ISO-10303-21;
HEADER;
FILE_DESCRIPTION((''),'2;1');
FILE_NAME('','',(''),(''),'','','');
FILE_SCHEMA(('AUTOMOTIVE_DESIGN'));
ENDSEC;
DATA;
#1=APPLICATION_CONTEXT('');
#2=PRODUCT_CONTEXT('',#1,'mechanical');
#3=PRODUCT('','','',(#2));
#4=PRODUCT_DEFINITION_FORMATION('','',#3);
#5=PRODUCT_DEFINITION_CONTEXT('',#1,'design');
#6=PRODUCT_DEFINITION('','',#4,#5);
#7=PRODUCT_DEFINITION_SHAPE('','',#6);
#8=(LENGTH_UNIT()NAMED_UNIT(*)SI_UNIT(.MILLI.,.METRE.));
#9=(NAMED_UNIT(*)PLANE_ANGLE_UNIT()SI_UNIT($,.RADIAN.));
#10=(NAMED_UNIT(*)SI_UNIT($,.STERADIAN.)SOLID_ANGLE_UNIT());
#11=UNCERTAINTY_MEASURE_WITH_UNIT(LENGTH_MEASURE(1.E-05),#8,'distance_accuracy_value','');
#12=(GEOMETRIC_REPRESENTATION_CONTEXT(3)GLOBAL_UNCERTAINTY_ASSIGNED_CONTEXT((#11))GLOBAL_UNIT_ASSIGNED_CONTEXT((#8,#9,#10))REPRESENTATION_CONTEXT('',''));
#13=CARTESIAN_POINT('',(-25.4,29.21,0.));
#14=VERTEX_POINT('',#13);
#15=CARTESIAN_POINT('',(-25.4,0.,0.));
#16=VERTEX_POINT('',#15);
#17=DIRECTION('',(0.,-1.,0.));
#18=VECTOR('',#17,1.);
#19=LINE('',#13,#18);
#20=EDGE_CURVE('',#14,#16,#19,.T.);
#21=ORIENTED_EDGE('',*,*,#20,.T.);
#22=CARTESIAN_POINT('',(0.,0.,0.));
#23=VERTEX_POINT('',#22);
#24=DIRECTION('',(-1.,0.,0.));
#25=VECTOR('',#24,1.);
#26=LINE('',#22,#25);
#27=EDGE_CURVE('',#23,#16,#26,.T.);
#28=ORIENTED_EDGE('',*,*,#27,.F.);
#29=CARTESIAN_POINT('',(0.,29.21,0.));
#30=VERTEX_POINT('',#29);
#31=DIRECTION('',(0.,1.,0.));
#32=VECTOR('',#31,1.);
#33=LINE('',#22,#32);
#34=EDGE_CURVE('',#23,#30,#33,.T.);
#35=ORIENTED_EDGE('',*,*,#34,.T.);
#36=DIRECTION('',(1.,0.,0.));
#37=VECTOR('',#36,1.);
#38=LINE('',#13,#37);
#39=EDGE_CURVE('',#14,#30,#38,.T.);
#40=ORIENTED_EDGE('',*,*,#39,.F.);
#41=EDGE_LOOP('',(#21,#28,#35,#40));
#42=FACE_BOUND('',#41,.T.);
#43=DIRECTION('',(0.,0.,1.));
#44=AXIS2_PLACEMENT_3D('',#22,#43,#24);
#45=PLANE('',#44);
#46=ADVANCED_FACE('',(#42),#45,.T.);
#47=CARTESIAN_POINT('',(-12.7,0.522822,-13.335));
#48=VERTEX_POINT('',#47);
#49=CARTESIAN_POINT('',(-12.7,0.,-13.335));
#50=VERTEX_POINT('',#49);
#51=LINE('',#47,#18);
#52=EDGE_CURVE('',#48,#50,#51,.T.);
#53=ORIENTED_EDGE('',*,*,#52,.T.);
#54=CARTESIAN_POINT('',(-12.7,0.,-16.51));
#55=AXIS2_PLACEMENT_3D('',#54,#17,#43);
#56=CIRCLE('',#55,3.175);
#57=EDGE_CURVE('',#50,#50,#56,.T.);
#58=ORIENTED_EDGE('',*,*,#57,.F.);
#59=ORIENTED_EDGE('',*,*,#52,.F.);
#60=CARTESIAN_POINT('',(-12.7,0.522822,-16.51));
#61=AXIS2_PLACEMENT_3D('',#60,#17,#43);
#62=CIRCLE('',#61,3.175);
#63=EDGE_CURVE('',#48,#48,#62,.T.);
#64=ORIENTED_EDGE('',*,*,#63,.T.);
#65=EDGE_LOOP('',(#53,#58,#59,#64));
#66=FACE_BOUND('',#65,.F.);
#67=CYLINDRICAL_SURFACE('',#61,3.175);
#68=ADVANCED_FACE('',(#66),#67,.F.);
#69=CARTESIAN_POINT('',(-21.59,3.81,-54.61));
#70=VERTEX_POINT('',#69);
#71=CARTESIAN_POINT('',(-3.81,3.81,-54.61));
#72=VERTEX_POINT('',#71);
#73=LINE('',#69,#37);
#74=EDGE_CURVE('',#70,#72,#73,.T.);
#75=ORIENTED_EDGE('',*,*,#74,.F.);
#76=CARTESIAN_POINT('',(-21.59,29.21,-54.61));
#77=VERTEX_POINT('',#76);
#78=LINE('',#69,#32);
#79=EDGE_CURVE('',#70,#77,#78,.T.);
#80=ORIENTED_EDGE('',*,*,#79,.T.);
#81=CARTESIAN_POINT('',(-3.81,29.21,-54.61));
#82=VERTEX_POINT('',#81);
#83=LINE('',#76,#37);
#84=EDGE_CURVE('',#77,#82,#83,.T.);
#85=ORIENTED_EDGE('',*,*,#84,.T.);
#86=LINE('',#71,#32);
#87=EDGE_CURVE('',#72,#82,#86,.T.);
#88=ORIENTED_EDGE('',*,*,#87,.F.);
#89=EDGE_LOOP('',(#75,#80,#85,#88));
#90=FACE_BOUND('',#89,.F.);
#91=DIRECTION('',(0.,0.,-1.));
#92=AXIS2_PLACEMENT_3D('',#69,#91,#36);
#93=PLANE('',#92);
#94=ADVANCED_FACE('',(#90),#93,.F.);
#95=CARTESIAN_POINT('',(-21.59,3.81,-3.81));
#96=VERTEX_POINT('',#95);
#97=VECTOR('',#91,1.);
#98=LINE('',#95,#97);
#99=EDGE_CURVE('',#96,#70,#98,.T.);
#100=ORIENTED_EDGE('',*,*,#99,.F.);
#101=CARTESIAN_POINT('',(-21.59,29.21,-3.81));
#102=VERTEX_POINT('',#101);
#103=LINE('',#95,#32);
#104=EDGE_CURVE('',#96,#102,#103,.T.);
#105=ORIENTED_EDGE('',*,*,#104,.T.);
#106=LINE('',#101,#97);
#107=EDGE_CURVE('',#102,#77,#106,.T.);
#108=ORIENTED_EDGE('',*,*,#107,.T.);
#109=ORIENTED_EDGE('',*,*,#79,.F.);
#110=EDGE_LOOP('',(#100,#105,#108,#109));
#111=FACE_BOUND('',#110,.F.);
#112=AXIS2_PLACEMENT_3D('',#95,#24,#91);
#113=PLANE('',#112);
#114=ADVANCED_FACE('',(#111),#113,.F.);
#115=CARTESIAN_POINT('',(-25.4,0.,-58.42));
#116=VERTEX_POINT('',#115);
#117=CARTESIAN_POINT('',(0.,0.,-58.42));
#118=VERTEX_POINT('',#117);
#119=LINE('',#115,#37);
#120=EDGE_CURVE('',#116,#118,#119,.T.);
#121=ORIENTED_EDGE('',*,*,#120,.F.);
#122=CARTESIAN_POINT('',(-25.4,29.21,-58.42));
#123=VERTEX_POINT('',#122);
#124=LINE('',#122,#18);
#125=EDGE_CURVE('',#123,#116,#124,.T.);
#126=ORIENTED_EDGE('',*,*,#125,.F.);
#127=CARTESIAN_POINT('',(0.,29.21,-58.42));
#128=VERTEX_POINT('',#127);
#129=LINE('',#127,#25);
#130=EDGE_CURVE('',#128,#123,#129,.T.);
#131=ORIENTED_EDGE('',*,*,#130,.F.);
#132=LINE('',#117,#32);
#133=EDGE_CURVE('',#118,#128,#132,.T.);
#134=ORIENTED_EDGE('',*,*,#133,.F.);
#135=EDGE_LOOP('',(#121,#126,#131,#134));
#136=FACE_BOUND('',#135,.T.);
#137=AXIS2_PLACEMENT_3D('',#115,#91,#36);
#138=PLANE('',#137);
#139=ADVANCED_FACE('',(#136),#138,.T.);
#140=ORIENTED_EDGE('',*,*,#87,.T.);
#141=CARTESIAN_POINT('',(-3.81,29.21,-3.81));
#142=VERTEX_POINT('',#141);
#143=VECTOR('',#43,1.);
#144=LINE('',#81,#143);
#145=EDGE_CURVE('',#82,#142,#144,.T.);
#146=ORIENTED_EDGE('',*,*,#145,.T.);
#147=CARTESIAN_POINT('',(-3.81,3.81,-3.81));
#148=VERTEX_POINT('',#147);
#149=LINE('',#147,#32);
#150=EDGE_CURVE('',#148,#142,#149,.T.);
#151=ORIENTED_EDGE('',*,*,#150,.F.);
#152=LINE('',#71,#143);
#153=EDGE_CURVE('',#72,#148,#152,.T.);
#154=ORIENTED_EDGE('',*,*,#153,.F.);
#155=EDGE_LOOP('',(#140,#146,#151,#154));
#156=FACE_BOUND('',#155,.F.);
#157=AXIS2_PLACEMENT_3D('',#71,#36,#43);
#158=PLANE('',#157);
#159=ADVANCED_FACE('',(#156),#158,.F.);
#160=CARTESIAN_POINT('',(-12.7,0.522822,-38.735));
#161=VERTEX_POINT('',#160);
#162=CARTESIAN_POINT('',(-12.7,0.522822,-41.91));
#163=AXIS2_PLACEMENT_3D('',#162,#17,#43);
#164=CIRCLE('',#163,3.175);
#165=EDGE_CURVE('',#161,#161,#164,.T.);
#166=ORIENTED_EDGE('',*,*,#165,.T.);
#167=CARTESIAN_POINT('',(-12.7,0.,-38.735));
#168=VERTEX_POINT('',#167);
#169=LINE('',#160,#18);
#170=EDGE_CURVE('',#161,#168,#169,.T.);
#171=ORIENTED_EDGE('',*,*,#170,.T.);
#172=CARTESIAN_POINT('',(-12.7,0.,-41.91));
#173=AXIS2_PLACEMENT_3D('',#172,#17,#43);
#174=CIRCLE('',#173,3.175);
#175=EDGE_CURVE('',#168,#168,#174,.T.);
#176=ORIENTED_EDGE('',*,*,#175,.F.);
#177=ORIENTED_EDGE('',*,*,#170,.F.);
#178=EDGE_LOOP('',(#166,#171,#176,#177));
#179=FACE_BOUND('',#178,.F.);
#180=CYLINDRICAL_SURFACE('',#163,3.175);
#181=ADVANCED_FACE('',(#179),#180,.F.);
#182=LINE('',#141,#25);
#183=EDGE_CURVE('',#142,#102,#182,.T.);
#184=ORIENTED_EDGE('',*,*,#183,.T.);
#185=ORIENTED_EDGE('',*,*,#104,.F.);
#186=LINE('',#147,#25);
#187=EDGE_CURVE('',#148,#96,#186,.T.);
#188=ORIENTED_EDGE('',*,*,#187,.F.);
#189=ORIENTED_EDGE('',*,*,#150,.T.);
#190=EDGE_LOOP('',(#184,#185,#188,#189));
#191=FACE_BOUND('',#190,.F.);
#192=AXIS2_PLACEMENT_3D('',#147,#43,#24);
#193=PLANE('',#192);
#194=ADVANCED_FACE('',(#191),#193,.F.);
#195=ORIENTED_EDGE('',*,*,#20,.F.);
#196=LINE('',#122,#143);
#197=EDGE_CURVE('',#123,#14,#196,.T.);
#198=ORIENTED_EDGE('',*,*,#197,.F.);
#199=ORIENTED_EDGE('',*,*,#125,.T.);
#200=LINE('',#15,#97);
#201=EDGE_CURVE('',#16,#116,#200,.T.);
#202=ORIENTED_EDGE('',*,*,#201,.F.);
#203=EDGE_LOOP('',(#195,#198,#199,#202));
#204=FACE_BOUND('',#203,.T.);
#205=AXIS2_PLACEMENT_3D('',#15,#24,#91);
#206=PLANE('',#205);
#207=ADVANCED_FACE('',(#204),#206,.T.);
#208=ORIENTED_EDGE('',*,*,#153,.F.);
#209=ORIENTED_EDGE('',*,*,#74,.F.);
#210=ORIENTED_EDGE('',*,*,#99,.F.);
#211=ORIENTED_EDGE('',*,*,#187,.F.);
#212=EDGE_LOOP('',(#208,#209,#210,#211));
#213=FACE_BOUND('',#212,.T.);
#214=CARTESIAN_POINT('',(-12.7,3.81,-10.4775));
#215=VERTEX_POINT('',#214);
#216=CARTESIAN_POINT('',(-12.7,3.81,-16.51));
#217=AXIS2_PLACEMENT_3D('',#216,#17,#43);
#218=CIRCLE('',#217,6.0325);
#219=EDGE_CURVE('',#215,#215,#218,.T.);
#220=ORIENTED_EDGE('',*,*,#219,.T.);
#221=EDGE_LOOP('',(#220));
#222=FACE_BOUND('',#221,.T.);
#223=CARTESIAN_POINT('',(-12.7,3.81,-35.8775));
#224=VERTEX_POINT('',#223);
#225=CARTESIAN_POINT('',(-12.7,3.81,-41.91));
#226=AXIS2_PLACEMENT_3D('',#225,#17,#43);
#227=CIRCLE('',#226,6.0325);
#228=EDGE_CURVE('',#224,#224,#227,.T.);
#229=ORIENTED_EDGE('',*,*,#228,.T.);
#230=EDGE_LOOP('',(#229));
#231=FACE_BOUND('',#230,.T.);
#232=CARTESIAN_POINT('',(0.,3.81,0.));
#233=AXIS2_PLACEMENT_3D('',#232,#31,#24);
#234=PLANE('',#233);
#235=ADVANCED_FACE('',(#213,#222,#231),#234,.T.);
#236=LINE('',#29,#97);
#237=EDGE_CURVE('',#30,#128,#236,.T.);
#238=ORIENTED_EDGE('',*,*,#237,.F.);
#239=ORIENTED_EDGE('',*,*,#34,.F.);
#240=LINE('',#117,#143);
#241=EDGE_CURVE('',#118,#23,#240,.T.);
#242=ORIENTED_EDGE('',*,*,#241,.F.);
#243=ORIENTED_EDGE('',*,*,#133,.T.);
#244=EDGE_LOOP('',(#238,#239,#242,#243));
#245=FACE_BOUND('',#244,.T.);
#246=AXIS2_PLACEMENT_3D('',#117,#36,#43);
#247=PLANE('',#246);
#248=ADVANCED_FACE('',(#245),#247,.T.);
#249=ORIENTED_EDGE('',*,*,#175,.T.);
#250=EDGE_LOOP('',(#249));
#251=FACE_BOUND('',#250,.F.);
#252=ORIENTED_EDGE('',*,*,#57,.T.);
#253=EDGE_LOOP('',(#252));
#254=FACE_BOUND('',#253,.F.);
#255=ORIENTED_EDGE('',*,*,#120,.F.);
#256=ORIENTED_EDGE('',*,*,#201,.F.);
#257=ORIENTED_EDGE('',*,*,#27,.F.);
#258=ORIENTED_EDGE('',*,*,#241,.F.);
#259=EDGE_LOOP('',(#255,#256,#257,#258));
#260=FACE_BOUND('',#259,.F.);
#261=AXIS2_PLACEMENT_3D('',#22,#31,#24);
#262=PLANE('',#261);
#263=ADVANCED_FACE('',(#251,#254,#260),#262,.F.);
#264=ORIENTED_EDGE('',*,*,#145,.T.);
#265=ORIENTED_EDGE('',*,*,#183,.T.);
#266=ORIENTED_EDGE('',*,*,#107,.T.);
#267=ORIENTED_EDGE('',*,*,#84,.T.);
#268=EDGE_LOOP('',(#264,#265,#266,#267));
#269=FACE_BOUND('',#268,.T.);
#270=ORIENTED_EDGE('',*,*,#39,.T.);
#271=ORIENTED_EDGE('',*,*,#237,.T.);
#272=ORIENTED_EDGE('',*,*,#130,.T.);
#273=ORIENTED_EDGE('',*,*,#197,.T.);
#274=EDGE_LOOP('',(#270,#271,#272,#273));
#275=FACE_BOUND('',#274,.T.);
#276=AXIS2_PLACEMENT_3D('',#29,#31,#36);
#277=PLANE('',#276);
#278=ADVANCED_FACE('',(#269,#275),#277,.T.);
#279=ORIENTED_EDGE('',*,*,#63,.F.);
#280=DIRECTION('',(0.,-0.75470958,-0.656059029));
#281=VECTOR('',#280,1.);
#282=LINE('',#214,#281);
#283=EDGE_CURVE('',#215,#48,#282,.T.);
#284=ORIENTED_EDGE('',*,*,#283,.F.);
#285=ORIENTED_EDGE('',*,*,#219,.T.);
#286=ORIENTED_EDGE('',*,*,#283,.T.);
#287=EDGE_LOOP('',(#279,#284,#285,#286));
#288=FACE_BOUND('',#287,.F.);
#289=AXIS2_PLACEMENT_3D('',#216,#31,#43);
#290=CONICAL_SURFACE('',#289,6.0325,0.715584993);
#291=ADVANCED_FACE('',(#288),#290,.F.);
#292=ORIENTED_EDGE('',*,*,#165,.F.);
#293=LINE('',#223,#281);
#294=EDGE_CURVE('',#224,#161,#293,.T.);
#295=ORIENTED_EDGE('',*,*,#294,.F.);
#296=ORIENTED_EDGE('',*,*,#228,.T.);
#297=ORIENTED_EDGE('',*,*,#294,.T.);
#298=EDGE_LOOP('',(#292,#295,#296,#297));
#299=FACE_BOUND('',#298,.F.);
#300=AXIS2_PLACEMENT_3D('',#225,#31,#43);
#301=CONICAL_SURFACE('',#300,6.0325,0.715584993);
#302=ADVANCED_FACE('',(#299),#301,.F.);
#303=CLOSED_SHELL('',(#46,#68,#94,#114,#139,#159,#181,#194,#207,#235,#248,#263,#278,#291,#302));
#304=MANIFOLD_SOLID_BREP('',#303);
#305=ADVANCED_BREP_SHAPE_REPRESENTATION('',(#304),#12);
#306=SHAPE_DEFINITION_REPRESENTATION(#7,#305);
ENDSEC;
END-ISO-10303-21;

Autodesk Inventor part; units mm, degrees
ref_plane "YZ Plane" through (0, 0, 0) normal (1, 0, 0) x (0, 1, 0)
ref_plane "XZ Plane" through (0, 0, 0) normal (0, 1, 0) x (-1, 0, 0)
ref_plane "XY Plane" through (0, 0, 0) normal (0, 0, 1) x (1, 0, 0)
sketch "Sketch1" plane through (0, 0, 0) normal (0, 1, 0) x (-1, 0, 0)
  line L0 (0, 0) -> (25.4, 0)
  line L1 (25.4, 0) -> (25.4, -58.42)
  line L2 (25.4, -58.42) -> (0, -58.42)
  line L3 (0, -58.42) -> (0, 0)
  dimension "d0" = 25.4
  dimension "d1" = 58.42
extrude "Extrusion1" add sketch "Sketch1" along normal blind 3.81
sketch "Sketch2" plane through (0, 3.81, 0) normal (0, 1, 0) x (1, 0, 0)
  line L0 (-3.81, 3.81) -> (-21.59, 3.81)
  line L1 (-21.59, 3.81) -> (-21.59, 54.61)
  line L2 (-21.59, 54.61) -> (-3.81, 54.61)
  line L3 (-3.81, 54.61) -> (-3.81, 3.81)
  line L4 (-25.4, 58.42) -> (-25.4, 0) projected
  line L5 (-25.4, 0) -> (0, 0) projected
  line L6 (0, 0) -> (0, 58.42) projected
  line L7 (0, 58.42) -> (-25.4, 58.42) projected
  dimension "d4" = 17.78
  dimension "d5" = 50.8
extrude "Extrusion2" add sketch "Sketch2" along normal blind 25.4
sketch "Sketch3" plane through (0, 3.81, 0) normal (0, 1, 0) x (1, 0, 0)
  point P0 (0, 0)
  point P1 (-12.7, 16.51)
  point P2 (-12.7, 41.91)
hole "Hole1" at (-12.7, 3.81, -16.51) at (-12.7, 3.81, -41.91) direction (0, -1, 0) diameter 6.35 end through all countersink diameter 12.065 countersink angle 82
properties part number "batteryholder"
